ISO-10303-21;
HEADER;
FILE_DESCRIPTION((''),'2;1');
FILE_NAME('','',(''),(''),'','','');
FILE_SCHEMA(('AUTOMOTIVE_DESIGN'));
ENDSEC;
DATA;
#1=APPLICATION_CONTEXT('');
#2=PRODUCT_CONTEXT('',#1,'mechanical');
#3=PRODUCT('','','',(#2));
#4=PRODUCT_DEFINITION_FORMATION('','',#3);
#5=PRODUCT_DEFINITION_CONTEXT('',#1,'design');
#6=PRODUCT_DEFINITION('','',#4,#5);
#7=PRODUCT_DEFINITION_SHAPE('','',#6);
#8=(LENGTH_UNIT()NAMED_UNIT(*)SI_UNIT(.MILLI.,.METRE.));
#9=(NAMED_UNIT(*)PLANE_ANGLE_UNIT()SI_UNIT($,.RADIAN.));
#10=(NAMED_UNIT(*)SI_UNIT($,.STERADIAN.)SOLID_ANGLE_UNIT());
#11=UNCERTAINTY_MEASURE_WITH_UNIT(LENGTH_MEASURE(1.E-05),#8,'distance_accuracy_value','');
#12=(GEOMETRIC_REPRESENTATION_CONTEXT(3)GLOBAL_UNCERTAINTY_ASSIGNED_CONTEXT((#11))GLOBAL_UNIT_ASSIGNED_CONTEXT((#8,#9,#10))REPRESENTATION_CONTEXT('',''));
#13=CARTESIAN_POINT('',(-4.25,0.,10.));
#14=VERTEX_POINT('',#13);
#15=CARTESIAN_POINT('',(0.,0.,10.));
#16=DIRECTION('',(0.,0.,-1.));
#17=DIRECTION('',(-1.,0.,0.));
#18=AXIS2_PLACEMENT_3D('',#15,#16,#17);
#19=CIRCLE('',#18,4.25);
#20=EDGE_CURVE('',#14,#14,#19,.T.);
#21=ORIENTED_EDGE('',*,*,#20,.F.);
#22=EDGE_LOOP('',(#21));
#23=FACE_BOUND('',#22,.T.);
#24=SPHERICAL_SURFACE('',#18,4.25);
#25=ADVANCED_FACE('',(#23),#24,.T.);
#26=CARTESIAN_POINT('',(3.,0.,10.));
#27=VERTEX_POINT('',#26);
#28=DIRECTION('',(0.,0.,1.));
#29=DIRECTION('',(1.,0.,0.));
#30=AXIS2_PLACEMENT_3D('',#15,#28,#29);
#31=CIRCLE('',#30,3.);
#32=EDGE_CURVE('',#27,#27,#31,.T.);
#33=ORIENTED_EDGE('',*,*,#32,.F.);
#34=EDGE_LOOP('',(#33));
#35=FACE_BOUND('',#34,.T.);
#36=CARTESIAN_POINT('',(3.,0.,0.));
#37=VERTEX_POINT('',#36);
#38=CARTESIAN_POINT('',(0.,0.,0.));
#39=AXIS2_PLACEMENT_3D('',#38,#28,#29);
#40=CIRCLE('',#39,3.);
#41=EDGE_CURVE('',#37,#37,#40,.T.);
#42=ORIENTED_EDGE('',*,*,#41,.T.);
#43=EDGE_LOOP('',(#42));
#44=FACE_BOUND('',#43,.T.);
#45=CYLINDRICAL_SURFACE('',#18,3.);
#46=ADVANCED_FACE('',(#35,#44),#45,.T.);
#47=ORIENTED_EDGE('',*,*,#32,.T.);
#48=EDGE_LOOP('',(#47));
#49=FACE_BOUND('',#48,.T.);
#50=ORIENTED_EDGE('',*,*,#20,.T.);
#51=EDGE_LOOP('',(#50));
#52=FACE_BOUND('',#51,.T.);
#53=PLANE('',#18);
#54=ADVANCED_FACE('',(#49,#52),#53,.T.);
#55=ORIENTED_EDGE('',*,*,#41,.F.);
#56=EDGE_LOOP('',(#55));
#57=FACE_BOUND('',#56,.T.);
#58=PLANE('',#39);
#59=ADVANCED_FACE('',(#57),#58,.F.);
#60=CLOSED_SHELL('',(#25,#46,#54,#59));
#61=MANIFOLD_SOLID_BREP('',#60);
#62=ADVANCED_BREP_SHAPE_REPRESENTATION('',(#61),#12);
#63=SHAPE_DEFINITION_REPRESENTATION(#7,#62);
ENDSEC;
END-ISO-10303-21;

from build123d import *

# Parameters (mm, degrees)
ESQUISSE1_R        = 3
BOSS_EXTRU_1_DEPTH = 10
R_VOLUTION1_ANGLE  = 180


with BuildPart() as part:
    # Esquisse1 → Boss.-Extru.1 (new body)
    with BuildSketch(Plane.XY):
        Circle(ESQUISSE1_R)
    extrude(amount=BOSS_EXTRU_1_DEPTH)

    # Esquisse3 → Révolution1 (revolve)
    with BuildSketch(Plane.XY.offset(10)):
        with BuildLine():
            Line((0, -4.25), (0, 4.25))
            ThreePointArc((0, 4.25), (-4.25, 0), (0, -4.25))
        make_face()
    revolve(axis=Axis((0, -4.25, 10), (0, 1, 0)), revolution_arc=R_VOLUTION1_ANGLE)


solid = part.part
